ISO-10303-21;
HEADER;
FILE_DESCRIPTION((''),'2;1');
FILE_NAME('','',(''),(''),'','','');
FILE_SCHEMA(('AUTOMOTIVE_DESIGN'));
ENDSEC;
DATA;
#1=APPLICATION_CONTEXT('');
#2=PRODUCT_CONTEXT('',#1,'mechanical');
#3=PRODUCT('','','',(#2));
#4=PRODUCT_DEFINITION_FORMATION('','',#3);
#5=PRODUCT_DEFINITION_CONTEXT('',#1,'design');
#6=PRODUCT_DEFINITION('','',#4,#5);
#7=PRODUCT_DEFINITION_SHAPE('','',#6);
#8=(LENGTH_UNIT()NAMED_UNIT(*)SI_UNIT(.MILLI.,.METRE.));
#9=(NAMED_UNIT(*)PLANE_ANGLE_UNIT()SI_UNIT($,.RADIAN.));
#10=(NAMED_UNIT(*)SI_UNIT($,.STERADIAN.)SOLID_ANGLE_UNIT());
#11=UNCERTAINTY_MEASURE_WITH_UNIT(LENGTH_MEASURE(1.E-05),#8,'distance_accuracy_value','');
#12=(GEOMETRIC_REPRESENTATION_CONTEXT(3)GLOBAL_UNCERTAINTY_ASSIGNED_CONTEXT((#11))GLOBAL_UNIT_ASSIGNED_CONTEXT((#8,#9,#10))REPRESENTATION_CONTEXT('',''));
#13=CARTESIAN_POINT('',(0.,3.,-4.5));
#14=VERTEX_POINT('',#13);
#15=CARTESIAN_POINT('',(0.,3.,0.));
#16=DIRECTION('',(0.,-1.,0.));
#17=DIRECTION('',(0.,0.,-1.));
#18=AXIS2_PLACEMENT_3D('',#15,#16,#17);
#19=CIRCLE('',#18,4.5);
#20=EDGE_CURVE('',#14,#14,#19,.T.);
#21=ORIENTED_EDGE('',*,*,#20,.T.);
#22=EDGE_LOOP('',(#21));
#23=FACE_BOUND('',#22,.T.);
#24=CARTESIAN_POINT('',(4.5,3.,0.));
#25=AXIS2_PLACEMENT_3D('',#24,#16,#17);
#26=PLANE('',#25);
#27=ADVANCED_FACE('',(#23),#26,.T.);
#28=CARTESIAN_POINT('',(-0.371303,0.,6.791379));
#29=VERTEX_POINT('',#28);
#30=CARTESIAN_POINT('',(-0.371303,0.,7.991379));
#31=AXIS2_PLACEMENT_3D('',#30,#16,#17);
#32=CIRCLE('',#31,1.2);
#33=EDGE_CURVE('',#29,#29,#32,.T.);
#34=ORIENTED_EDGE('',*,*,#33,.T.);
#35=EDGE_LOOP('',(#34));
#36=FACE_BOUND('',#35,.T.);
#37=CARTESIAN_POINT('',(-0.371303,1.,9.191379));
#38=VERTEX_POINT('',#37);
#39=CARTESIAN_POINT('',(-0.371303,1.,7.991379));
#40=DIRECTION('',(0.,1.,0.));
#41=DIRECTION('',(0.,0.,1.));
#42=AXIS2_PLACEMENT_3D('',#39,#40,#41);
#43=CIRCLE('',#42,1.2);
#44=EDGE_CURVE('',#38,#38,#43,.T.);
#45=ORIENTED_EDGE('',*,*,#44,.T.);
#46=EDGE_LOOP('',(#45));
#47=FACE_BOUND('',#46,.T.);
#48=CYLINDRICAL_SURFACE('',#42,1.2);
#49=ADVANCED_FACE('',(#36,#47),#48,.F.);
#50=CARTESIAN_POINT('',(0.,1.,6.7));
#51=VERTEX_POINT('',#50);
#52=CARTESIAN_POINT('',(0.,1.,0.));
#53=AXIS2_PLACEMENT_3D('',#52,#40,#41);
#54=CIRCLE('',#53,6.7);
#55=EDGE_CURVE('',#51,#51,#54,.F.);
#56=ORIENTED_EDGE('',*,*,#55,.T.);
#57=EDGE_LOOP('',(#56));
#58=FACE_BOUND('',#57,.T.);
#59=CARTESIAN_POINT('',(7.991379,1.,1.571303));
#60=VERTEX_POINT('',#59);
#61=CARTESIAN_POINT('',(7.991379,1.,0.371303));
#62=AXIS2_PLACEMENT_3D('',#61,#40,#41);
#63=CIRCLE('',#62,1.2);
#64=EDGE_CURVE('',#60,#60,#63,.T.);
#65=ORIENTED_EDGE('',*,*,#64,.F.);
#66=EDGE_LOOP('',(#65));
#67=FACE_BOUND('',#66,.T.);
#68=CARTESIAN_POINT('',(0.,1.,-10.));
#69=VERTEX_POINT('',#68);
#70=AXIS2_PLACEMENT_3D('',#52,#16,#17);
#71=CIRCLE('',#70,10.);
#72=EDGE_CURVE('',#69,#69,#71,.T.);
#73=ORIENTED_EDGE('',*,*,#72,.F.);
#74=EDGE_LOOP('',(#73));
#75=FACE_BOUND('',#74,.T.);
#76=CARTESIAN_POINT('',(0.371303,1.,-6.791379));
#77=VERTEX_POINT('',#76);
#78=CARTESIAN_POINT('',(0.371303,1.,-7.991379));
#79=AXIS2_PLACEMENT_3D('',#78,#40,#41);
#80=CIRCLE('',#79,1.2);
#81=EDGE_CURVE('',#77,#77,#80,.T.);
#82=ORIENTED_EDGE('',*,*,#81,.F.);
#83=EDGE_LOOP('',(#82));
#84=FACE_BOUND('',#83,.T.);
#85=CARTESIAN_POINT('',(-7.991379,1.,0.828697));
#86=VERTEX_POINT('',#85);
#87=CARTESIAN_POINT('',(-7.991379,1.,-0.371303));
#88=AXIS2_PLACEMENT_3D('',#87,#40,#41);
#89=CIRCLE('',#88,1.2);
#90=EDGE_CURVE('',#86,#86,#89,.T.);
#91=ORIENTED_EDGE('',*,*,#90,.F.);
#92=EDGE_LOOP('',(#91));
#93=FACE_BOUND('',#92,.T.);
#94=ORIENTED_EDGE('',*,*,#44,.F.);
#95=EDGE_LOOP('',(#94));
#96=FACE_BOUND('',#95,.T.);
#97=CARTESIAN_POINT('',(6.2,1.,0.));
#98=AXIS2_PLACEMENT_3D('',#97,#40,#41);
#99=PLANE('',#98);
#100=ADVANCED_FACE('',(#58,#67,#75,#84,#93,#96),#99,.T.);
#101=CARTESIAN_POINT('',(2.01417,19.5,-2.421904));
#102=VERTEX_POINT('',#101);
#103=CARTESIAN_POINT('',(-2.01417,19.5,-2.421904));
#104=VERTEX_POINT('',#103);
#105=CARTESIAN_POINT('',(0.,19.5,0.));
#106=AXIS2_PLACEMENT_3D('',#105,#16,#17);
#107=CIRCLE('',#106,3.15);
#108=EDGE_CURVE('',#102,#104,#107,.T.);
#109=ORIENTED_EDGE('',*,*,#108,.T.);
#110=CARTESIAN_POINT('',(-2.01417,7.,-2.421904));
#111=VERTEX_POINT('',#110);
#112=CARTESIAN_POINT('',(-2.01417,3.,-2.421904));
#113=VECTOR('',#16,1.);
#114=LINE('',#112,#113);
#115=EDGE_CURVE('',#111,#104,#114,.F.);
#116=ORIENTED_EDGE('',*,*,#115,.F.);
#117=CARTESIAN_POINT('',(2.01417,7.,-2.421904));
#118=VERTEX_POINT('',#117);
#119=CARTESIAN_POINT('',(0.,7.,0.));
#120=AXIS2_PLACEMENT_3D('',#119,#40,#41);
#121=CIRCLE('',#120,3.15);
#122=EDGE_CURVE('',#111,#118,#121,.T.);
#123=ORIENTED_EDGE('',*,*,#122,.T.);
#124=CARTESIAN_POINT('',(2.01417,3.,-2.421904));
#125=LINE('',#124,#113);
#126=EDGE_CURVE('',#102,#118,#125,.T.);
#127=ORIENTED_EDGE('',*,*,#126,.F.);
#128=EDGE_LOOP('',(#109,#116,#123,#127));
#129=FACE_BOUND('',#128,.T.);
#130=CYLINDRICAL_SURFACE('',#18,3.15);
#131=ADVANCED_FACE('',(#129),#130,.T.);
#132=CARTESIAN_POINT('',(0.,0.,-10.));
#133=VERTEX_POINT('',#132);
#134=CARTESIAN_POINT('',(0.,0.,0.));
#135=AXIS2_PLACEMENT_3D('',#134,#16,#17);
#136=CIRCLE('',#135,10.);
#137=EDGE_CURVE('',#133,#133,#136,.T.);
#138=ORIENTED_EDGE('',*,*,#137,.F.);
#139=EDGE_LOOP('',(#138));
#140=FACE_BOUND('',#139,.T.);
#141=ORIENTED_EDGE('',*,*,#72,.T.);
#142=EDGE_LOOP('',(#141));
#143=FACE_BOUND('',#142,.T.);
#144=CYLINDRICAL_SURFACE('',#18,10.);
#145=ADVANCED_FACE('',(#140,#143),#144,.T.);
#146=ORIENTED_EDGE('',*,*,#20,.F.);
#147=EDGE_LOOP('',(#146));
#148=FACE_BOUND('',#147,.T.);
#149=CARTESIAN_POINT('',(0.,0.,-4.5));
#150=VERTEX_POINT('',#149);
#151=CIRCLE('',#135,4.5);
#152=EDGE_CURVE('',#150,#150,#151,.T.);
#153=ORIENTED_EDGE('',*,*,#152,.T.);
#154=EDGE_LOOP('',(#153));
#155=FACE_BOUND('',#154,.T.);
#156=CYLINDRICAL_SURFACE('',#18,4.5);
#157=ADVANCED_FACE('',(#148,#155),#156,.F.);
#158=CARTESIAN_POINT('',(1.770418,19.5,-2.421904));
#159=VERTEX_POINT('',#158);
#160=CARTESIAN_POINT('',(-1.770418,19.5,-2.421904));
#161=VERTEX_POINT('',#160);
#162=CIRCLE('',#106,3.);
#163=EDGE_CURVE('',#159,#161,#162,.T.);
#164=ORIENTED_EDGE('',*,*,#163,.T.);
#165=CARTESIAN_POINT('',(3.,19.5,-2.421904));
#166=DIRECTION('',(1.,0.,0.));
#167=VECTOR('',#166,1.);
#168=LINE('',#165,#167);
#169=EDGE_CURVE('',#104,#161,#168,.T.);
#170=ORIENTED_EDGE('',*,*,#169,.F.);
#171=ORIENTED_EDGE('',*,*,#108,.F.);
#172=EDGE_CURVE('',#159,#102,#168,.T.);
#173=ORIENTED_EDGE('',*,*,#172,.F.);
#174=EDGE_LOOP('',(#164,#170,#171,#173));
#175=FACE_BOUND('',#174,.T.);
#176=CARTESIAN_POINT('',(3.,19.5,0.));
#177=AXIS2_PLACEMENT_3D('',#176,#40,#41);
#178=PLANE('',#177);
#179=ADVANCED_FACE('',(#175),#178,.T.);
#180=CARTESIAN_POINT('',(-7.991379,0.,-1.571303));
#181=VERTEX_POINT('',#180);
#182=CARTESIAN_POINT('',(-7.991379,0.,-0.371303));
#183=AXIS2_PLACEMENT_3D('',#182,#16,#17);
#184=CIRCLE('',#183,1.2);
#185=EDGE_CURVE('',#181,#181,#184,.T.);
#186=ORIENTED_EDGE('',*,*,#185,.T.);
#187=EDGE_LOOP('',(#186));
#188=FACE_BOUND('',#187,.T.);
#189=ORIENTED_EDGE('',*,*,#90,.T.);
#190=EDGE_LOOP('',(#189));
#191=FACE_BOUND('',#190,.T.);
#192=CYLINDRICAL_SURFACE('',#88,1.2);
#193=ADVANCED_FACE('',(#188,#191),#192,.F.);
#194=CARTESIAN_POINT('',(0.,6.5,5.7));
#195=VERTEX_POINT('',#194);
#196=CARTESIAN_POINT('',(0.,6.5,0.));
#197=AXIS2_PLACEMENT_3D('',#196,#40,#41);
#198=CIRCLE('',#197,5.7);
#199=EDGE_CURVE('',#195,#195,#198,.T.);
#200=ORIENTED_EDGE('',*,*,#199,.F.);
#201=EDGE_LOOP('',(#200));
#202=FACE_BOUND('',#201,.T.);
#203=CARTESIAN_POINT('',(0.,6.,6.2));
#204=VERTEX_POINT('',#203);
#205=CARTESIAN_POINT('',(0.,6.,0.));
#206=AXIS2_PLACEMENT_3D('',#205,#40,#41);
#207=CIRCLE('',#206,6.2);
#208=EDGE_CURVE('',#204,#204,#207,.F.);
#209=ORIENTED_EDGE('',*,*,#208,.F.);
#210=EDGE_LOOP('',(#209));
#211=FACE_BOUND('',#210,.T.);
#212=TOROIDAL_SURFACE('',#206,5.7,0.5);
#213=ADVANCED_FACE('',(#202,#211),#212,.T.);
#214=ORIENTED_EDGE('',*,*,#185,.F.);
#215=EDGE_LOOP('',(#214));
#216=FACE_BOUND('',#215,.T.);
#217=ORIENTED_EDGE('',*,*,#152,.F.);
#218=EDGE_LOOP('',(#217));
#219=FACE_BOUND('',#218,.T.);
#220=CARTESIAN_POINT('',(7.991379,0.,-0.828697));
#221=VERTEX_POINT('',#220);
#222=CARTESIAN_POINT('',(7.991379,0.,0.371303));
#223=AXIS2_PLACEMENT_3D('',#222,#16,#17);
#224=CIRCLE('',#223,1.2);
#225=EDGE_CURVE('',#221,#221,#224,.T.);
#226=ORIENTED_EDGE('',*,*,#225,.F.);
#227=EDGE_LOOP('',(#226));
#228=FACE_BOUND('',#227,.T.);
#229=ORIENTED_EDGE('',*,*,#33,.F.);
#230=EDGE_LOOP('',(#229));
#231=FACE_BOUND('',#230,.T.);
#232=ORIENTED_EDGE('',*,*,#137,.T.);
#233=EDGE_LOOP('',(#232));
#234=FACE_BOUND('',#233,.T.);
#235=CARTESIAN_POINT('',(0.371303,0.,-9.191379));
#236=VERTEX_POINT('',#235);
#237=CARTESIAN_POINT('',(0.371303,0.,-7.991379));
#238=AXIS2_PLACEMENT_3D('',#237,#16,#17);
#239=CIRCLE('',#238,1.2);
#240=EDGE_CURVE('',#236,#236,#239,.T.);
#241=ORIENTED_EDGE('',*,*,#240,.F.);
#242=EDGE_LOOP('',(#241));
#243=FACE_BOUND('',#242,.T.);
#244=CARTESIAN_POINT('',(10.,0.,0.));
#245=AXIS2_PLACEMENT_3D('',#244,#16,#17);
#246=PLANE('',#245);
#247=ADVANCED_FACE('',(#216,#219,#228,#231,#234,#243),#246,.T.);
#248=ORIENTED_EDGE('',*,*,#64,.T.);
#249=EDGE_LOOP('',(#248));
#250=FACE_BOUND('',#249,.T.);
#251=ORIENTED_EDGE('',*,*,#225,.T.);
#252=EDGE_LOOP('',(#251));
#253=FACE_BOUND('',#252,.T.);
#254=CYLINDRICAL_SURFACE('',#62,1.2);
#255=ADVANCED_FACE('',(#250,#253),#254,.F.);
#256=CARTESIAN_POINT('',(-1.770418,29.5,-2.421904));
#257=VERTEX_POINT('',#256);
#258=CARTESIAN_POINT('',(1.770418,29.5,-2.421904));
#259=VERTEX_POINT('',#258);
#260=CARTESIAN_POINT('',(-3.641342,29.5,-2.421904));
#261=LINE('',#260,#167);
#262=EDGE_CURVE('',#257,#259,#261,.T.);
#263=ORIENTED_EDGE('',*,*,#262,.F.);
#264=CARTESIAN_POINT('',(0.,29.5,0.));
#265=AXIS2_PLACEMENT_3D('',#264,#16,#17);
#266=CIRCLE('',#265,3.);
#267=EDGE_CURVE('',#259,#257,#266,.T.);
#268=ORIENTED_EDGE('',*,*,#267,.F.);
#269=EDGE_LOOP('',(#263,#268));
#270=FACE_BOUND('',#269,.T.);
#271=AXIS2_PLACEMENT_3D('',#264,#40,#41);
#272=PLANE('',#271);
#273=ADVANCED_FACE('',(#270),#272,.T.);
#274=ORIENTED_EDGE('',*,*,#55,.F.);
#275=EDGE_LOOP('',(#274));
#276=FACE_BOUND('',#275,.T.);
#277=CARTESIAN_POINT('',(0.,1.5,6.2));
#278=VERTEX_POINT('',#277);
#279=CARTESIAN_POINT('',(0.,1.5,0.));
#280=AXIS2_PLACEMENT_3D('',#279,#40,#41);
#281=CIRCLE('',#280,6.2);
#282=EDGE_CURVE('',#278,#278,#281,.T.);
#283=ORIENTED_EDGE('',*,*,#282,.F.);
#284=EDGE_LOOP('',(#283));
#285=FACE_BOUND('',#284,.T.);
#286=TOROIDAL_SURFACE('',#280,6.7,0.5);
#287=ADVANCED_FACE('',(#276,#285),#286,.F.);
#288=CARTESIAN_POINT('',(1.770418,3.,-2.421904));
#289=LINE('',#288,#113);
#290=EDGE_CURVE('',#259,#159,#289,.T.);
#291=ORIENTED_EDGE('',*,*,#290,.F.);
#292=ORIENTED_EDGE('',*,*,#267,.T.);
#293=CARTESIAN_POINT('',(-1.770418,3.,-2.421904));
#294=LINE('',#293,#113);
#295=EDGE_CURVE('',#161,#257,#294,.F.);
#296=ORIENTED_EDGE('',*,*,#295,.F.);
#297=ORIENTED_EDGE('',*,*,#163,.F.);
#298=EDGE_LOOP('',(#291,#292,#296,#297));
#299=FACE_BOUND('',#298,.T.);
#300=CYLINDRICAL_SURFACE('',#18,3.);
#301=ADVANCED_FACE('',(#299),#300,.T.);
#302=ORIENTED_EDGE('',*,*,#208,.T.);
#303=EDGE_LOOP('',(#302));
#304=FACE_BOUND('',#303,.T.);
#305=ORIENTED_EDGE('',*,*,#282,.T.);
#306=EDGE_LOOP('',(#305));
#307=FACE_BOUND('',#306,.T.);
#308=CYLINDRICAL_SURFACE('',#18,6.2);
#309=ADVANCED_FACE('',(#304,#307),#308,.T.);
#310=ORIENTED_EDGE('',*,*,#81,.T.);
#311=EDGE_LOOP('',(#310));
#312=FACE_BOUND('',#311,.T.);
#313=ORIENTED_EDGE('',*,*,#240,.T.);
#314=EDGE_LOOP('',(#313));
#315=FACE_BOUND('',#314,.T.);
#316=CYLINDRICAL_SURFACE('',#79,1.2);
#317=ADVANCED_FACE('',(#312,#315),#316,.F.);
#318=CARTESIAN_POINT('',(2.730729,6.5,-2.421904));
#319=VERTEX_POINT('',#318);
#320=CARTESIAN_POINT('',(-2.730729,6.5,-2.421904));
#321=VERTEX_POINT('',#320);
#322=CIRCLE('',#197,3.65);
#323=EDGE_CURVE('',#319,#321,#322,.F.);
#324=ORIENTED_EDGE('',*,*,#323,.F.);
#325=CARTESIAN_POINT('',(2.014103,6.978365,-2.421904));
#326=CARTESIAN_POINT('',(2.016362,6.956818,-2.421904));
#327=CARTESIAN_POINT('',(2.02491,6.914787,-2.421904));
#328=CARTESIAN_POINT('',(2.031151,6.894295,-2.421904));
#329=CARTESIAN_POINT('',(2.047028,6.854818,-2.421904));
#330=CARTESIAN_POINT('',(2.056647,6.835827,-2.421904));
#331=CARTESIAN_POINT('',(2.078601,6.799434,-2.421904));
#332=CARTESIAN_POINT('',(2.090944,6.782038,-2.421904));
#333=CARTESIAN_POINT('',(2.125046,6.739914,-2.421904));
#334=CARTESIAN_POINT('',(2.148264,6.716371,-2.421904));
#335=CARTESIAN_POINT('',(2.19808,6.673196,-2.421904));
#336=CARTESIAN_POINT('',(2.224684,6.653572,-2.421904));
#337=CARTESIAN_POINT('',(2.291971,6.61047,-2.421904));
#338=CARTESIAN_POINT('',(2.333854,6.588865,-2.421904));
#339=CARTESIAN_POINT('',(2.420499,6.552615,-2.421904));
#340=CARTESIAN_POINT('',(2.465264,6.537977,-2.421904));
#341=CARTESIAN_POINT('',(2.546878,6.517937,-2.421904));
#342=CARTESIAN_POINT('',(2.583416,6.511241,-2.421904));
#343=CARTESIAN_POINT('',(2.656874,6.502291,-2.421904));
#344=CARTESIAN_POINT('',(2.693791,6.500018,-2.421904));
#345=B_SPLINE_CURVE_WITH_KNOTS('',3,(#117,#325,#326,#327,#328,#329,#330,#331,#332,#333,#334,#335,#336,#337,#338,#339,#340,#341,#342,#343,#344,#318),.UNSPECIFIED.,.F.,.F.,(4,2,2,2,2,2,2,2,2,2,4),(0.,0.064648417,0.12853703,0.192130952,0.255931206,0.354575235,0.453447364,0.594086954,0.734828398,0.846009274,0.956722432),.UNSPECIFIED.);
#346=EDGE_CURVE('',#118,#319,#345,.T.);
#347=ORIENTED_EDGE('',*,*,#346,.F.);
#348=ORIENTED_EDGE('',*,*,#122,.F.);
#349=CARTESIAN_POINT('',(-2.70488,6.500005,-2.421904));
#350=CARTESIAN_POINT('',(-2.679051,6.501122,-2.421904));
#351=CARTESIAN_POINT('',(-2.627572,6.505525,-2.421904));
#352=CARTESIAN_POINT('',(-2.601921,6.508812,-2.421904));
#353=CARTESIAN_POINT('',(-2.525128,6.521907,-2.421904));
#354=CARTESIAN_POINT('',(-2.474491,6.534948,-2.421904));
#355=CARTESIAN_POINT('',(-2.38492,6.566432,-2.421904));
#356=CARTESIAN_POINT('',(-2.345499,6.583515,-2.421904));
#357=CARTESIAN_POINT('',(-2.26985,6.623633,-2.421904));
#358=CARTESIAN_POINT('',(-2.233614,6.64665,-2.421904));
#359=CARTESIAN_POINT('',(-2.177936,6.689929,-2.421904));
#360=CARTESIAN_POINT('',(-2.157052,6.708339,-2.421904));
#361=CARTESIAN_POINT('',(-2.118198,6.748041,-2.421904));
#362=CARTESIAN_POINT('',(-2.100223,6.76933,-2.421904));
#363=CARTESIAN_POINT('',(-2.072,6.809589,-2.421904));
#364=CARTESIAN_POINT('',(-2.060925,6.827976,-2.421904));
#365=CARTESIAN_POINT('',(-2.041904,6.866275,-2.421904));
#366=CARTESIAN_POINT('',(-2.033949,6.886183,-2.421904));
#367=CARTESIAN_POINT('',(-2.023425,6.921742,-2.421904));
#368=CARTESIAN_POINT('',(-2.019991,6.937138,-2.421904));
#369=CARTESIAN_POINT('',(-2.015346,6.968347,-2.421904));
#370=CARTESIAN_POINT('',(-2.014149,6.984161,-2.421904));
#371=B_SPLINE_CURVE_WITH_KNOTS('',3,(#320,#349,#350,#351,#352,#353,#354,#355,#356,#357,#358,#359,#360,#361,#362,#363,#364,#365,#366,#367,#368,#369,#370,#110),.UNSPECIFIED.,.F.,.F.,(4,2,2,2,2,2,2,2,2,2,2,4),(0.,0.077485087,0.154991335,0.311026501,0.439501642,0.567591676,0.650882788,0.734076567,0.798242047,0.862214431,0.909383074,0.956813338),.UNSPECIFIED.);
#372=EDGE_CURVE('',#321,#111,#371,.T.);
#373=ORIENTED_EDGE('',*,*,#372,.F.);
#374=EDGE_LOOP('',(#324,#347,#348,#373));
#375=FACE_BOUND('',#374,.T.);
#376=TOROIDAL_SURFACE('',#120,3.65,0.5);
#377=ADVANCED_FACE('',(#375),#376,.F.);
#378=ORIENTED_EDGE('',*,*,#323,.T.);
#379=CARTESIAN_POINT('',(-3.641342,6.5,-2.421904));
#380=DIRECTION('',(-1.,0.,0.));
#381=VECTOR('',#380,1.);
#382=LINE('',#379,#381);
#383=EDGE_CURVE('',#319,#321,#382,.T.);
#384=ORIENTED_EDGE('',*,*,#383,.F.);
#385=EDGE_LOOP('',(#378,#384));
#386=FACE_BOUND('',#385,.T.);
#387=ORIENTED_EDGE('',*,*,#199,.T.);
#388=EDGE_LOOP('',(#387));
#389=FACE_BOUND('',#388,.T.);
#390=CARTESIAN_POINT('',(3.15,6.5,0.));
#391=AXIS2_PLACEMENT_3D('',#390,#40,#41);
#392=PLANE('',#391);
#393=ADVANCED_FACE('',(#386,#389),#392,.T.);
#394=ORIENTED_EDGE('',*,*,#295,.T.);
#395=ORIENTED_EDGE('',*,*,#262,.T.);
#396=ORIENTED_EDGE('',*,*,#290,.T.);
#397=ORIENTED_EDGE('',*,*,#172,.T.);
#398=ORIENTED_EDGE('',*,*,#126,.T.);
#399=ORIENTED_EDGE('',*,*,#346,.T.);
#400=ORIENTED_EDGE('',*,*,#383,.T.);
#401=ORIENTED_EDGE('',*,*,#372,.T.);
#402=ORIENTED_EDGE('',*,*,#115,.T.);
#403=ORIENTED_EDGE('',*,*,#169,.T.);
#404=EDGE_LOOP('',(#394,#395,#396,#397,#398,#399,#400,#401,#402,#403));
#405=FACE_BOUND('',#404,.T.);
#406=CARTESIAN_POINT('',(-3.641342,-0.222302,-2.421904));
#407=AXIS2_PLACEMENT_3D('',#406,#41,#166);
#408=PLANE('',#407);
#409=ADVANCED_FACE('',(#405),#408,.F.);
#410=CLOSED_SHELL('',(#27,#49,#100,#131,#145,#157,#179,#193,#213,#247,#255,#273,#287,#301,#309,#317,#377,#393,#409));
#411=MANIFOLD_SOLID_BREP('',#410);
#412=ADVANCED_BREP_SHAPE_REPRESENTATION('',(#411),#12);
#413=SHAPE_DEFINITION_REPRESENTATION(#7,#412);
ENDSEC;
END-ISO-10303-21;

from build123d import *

# Parameters (mm, degrees)
ESQUISSE3_W                  = 6.57785754
ESQUISSE3_H                  = 1.386048805
ENL_V_MAT_EXTRU_1_DEPTH      = 23
D_GAGEMENT_M21_D             = 2.4
D_GAGEMENT_M21_DEPTH         = 1.001
R_P_TITION_CIRCULAIRE1_COUNT = 4
FILLET1_R                    = 0.5


with BuildPart() as part:
    # Esquisse2 → Révolution2 (revolve)
    with BuildSketch(Plane.XY):
        Polygon((0, 29.5), (3, 29.5), (3, 19.5), (3.15, 19.5), (3.15, 6.5), (6.2, 6.5), (6.2, 3), (6.2, 1), (10, 1), (10, 0), (4.5, 0), (4.5, 3), (0, 3), align=None)
    revolve(axis=Axis((0, 3, 0), (0, 1, 0)))

    # Esquisse3 → Enlèv. mat.-Extru.1 (cut)
    with BuildSketch(Plane(origin=(0, 29.5, 0), x_dir=(1, 0, 0), z_dir=(0, 1, 0))):
        with Locations((-0.352413472, 3.114928535)):
            Rectangle(ESQUISSE3_W, ESQUISSE3_H)
    extrude(amount=-ENL_V_MAT_EXTRU_1_DEPTH, mode=Mode.SUBTRACT)

    # Dégagement M21
    with Locations(Plane(origin=(0, 1, 0), x_dir=(1, 0, 0), z_dir=(0, 1, 0))):
        with Locations((0.371303159, 7.991378727)):
            d_gagement_m21 = Hole(D_GAGEMENT_M21_D / 2, depth=D_GAGEMENT_M21_DEPTH)

    # Répétition circulaire1: Dégagement M21 ×4 about axis
    r_p_tition_circulaire1_axis = Axis((0, 0, 0), (0, 1, 0))
    for i in range(1, R_P_TITION_CIRCULAIRE1_COUNT):
        add(d_gagement_m21.rotate(r_p_tition_circulaire1_axis, i * 360 / R_P_TITION_CIRCULAIRE1_COUNT), mode=Mode.SUBTRACT)

    # Fillet1
    fillet1_edges = [part.edges().sort_by_distance(p)[0] for p in [
        (-6.2, 1, 0),
        (-6.2, 6.5, 0),
        (0, 6.5, 3.15),
    ]]
    fillet(fillet1_edges, radius=FILLET1_R)


solid = part.part
